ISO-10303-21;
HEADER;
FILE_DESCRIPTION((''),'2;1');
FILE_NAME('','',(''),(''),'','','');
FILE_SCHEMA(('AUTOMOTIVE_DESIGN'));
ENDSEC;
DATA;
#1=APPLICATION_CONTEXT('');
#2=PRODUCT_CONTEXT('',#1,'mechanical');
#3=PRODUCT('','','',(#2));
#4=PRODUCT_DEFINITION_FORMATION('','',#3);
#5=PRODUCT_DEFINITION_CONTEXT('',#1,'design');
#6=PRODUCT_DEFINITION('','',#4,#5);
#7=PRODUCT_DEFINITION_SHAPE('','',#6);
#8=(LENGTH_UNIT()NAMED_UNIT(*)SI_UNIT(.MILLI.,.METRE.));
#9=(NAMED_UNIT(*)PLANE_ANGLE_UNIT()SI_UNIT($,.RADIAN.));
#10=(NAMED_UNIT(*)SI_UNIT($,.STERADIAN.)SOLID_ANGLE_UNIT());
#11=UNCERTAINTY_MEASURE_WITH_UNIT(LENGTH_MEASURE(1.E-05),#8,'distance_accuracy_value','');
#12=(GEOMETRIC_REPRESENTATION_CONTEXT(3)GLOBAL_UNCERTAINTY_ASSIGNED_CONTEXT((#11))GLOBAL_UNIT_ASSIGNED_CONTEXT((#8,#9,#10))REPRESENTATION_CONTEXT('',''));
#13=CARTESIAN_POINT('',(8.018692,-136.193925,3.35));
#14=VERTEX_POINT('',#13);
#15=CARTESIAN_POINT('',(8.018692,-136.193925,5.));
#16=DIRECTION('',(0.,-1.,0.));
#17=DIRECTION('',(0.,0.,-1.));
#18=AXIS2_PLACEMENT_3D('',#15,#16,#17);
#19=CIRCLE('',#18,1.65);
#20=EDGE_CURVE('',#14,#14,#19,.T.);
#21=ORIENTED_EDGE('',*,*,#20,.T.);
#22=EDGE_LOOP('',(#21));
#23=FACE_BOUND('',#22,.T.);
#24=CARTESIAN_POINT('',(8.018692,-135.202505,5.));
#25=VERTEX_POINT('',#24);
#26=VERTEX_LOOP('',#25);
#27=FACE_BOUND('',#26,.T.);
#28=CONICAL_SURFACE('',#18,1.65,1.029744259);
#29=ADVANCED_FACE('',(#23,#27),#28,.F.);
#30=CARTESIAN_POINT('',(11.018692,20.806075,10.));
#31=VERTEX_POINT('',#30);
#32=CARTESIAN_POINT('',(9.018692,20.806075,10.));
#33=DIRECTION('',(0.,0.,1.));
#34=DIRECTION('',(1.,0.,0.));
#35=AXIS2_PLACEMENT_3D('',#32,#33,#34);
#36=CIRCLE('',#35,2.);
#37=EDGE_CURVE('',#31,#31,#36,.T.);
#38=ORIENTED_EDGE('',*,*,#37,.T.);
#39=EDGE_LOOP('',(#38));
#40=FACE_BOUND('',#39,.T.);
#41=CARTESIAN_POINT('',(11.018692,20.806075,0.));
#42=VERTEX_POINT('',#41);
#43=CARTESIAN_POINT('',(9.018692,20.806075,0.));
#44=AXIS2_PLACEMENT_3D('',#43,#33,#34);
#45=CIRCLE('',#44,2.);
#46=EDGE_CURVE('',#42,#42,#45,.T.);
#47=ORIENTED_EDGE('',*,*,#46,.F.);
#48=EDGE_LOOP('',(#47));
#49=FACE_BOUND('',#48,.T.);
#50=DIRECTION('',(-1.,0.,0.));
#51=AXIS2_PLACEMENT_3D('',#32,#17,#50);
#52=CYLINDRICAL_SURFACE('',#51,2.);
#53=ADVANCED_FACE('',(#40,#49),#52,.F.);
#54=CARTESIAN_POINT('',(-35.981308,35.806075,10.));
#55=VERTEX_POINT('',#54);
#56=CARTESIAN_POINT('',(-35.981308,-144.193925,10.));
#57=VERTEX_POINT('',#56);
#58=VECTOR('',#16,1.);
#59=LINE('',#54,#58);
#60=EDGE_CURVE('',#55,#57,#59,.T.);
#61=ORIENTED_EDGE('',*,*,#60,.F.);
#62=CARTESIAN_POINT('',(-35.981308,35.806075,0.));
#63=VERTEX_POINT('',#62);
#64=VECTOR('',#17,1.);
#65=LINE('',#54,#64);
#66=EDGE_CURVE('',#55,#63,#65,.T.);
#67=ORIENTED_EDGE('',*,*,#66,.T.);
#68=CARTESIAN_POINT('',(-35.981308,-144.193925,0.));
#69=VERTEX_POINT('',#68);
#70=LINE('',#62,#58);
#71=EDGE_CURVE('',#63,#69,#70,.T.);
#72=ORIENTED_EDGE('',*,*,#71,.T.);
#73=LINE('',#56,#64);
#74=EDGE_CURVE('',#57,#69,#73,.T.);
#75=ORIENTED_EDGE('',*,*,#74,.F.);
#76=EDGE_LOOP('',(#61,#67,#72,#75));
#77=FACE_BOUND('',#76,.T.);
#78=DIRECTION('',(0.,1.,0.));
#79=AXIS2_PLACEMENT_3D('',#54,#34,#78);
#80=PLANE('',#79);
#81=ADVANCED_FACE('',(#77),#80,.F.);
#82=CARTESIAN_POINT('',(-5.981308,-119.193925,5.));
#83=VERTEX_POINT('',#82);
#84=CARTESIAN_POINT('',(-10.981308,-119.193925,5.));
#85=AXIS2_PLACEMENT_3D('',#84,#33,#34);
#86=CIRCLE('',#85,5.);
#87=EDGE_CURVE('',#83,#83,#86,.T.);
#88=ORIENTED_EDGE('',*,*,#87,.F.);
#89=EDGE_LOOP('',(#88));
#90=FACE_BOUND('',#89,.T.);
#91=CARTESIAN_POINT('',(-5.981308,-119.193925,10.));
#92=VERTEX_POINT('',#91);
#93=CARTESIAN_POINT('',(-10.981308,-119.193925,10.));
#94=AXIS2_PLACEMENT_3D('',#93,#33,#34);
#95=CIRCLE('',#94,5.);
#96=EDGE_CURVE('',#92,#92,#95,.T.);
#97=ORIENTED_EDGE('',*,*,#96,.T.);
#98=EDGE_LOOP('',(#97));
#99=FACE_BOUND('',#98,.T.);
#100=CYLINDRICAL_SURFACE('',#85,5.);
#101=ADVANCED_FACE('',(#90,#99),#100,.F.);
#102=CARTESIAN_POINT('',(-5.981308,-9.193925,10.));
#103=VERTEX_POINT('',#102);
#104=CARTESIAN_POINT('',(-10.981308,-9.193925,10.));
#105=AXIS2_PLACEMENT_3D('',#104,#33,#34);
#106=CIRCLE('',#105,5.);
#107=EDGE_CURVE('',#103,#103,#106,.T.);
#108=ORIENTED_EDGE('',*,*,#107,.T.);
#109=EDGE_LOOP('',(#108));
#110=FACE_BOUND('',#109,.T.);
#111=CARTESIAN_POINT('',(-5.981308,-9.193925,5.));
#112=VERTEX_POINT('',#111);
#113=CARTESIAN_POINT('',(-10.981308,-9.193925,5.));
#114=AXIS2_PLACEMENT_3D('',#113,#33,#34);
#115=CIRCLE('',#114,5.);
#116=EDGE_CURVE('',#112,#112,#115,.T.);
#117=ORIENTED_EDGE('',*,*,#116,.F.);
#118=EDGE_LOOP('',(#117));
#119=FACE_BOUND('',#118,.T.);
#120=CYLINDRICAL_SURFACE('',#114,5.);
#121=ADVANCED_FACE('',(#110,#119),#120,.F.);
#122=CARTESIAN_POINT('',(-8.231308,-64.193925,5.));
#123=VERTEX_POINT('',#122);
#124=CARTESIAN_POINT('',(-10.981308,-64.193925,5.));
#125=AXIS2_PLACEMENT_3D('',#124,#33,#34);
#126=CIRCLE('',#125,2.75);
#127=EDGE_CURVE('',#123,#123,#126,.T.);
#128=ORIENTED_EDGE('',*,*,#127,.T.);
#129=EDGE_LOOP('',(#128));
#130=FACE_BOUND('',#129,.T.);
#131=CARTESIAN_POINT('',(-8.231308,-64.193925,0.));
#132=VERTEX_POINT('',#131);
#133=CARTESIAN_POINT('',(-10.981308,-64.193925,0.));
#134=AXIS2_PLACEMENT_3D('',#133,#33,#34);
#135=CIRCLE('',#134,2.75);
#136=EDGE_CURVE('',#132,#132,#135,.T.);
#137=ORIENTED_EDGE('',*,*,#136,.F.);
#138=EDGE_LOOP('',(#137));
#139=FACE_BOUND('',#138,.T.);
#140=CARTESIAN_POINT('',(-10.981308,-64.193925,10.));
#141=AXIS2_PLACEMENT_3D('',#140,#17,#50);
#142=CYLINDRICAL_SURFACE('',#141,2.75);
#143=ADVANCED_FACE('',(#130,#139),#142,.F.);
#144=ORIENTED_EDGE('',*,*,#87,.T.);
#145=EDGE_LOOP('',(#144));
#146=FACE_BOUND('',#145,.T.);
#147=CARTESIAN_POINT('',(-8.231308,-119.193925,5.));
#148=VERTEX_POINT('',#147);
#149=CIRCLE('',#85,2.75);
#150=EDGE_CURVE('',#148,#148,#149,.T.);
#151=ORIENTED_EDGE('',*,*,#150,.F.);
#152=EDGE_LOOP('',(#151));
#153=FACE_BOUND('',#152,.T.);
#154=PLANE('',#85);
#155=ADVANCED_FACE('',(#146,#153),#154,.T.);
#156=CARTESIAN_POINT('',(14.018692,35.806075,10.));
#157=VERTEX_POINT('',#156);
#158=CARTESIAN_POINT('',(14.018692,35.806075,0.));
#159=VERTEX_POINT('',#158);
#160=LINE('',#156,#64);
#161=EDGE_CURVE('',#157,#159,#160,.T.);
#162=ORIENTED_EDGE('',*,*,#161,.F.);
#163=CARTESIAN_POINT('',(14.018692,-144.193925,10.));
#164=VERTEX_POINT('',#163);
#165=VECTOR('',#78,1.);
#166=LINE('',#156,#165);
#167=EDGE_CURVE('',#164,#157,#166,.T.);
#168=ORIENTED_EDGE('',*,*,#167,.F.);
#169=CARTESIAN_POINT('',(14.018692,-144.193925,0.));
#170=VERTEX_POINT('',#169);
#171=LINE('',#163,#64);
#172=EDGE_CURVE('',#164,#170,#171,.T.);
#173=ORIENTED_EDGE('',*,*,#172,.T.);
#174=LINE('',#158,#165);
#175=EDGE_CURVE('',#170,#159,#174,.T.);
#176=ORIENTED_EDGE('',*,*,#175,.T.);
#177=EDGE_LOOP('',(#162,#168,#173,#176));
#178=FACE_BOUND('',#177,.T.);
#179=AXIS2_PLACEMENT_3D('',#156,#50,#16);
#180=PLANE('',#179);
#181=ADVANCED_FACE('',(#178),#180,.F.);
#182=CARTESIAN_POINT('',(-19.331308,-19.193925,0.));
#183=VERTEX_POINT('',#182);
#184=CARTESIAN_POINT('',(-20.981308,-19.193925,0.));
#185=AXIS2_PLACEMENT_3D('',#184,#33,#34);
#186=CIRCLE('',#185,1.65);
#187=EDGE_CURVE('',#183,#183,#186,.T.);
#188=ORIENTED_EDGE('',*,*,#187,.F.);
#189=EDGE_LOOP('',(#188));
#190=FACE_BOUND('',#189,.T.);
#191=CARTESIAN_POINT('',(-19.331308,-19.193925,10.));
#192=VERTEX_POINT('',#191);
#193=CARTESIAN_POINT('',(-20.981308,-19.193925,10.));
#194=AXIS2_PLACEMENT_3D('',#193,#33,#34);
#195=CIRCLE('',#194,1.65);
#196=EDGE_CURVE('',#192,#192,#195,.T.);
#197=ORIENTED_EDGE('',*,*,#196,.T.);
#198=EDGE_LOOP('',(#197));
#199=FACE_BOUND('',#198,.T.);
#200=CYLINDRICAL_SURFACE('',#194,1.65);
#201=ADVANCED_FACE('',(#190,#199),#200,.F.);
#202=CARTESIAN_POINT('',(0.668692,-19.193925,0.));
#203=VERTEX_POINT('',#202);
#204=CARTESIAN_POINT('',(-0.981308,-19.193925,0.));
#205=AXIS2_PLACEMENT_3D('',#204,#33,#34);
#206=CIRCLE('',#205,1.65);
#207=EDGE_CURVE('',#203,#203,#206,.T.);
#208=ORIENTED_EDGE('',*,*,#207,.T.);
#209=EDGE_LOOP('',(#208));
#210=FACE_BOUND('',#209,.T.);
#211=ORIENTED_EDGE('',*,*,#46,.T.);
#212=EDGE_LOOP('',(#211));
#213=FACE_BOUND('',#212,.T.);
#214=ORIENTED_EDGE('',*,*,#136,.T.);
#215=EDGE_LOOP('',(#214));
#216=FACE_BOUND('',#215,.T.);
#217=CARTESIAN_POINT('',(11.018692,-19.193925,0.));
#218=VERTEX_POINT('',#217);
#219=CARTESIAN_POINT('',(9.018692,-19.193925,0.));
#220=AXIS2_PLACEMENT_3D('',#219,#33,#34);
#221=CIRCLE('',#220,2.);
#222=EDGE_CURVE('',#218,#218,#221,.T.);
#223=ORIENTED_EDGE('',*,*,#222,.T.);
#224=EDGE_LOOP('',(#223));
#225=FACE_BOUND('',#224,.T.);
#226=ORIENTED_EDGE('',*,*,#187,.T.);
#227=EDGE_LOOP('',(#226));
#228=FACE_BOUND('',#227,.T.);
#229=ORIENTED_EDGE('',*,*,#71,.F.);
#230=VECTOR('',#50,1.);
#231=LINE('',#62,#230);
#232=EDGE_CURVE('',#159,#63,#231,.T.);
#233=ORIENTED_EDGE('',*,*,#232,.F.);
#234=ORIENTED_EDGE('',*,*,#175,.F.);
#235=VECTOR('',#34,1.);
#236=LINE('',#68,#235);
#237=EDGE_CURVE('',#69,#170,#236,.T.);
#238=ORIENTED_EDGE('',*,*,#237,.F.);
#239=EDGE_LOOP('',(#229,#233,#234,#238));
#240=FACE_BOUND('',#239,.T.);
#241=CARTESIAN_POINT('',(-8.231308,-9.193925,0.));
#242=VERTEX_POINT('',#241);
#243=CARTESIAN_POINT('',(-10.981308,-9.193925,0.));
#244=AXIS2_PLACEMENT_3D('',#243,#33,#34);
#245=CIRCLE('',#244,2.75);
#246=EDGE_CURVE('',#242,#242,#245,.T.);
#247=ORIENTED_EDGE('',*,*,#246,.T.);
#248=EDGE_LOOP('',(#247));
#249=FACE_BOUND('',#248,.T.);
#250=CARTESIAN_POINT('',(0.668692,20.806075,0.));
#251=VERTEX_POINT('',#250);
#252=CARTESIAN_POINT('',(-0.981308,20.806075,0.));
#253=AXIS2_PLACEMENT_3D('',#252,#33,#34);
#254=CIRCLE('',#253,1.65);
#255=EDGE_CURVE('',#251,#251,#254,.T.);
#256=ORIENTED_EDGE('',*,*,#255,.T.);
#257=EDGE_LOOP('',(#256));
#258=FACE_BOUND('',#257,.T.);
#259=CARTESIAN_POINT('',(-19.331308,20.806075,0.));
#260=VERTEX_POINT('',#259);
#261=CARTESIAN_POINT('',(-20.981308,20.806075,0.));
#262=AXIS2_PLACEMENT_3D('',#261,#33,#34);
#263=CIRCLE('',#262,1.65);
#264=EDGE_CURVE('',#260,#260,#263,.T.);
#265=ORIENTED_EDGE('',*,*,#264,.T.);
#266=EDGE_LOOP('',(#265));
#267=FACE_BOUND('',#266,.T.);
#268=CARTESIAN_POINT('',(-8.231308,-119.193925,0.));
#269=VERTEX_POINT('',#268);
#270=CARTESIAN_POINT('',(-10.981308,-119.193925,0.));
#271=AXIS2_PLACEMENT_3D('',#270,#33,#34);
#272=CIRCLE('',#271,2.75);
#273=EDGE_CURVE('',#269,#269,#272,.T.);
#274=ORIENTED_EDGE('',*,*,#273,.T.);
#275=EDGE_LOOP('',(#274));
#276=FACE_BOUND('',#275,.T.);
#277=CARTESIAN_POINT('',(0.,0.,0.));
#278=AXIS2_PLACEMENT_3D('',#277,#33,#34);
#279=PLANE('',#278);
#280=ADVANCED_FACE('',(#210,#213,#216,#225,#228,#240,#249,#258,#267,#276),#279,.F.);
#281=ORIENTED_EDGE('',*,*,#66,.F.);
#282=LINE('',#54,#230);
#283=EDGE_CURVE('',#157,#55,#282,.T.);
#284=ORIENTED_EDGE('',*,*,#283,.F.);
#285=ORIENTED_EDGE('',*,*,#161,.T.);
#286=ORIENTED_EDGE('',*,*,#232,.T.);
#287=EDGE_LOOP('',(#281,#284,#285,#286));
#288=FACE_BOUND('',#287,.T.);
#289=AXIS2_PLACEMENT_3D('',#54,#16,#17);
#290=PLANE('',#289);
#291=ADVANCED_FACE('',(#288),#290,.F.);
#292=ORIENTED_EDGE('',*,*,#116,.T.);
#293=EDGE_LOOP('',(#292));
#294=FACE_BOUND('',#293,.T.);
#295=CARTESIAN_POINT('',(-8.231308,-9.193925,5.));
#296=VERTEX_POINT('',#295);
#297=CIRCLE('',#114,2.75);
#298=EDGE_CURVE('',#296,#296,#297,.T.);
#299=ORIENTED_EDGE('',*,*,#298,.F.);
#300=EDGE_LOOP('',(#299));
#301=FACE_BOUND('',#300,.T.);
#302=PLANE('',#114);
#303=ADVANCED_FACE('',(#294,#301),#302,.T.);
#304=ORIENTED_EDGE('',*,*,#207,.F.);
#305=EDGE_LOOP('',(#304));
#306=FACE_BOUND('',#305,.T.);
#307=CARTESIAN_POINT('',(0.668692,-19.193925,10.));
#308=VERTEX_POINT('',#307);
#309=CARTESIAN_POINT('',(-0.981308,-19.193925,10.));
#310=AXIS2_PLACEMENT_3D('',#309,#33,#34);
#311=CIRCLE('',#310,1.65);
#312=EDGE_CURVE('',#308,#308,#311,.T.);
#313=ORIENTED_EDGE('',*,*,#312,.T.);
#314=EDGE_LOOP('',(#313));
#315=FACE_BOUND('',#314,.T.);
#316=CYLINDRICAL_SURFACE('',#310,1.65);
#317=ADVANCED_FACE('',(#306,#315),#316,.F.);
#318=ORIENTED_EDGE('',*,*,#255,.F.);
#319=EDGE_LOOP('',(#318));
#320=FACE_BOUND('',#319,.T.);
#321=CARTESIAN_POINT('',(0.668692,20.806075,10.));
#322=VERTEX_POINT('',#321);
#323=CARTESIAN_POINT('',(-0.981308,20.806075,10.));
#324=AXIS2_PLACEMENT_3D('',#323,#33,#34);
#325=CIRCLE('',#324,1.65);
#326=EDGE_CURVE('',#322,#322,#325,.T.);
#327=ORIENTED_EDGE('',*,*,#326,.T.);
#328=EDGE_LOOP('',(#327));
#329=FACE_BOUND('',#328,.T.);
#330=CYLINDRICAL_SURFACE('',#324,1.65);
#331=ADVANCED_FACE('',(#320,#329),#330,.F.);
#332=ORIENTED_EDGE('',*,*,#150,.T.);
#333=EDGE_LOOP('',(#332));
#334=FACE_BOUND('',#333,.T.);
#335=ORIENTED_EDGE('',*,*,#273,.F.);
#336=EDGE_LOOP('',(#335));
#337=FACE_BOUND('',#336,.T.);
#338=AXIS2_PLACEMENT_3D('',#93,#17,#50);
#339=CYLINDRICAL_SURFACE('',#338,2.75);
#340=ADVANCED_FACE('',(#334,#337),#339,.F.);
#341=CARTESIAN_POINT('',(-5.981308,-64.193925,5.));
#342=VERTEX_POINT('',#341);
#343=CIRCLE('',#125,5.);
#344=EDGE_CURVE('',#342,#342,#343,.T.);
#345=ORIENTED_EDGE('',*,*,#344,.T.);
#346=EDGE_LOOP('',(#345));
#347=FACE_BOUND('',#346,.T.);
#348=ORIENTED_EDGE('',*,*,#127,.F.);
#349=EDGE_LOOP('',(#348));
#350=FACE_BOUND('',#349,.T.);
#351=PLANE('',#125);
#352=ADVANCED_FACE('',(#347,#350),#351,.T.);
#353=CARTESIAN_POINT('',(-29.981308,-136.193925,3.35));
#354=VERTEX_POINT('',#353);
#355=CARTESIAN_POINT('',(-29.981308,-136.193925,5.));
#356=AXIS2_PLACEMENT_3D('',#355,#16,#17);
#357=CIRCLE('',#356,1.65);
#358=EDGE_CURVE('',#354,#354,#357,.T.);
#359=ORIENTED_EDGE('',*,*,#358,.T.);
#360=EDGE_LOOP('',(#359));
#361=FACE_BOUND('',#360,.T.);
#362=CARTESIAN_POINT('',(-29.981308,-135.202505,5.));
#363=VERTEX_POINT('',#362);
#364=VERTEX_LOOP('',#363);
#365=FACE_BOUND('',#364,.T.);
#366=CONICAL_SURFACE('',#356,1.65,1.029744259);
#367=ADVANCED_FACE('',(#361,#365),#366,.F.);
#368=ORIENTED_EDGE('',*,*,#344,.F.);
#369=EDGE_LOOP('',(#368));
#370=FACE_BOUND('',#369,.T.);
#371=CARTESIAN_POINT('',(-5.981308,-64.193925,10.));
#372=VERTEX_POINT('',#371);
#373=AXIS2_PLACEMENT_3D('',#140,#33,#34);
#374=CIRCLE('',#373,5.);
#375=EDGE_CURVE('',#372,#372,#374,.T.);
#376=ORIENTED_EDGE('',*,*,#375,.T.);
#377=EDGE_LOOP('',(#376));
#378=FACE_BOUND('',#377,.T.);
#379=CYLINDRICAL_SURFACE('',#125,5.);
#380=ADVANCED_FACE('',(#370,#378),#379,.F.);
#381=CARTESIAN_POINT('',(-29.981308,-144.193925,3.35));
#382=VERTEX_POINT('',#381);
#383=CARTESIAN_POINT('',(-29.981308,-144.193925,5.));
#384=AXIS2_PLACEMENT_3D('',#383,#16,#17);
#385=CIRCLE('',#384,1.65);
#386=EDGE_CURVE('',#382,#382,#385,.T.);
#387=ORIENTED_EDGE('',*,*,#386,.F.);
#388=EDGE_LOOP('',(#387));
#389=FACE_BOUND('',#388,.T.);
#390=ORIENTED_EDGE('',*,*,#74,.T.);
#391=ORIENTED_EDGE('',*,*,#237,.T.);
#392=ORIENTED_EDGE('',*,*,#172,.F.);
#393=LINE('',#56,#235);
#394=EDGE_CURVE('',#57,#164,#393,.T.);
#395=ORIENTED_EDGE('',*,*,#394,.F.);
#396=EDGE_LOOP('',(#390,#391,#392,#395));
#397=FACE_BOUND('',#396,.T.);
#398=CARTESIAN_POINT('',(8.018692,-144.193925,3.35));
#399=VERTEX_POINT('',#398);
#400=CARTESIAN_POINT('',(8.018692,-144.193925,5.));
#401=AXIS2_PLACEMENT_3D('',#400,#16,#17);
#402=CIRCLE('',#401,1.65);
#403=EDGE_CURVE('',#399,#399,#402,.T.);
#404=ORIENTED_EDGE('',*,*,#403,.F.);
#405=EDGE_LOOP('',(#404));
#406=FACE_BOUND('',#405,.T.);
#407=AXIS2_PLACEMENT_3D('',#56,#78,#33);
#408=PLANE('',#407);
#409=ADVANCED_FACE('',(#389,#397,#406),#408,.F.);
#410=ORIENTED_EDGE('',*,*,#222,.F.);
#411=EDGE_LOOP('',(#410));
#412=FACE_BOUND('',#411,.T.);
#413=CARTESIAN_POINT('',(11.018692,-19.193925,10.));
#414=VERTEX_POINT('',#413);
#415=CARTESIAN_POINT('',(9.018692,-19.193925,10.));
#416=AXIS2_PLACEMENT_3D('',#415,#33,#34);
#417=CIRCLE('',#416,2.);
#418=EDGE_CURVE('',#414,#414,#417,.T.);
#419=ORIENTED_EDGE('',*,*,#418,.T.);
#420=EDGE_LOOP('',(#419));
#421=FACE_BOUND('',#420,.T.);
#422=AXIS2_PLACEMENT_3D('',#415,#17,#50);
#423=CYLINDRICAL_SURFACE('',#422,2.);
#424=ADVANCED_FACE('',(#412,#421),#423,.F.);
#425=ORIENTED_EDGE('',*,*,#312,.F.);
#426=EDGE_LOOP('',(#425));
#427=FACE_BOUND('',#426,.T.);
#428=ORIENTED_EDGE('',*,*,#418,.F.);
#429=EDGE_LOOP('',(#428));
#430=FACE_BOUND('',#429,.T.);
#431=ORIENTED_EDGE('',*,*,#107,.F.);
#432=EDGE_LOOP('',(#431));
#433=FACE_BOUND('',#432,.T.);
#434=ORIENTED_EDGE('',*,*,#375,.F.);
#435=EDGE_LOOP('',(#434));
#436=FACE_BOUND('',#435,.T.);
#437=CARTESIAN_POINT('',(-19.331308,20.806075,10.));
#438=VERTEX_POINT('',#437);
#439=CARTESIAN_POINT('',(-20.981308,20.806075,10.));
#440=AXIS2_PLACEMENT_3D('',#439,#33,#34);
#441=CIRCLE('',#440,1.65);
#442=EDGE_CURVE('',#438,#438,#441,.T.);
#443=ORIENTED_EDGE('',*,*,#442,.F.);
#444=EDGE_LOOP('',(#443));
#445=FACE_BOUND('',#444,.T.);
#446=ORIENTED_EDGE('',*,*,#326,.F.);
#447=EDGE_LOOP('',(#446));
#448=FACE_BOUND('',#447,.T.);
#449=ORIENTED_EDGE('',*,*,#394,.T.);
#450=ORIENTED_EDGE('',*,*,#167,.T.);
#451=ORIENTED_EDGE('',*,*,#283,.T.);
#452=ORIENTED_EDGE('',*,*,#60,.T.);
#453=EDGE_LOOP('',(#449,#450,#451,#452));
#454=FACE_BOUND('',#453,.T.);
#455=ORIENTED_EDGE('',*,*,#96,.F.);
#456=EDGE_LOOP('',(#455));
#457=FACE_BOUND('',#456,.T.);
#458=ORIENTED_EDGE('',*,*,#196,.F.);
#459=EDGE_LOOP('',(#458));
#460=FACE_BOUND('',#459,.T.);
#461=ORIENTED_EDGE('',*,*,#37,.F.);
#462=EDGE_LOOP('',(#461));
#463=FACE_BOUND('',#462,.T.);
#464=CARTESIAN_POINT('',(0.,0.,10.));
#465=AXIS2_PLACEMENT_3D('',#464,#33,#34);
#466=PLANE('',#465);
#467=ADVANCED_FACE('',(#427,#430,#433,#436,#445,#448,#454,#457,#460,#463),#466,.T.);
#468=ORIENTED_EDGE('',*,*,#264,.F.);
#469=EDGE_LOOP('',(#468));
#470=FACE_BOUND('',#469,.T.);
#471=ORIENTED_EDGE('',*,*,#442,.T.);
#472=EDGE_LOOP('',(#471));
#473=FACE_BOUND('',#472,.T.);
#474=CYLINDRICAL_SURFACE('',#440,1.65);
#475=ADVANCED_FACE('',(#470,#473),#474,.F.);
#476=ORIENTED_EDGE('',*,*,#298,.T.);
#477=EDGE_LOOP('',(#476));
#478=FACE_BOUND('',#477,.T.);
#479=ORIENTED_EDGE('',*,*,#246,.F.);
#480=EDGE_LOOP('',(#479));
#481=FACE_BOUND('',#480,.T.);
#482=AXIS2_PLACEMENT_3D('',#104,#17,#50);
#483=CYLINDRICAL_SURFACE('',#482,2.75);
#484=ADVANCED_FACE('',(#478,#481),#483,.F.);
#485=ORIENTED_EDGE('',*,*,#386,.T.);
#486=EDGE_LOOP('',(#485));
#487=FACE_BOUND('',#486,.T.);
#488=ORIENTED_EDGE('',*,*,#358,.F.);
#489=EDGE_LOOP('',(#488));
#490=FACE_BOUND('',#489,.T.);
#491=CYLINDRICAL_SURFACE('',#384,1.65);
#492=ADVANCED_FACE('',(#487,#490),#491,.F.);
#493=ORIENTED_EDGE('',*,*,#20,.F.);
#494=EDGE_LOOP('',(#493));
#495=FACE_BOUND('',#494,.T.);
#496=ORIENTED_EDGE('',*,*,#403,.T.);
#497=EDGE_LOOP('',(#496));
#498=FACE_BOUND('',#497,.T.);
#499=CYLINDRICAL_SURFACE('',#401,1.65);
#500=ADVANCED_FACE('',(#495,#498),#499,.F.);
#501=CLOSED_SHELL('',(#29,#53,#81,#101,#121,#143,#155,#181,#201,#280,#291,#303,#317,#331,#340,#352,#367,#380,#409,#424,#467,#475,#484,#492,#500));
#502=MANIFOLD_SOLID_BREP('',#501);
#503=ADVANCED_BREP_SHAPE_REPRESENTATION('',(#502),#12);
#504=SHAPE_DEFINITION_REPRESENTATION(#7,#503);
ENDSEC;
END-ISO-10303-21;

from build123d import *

# Parameters (mm, degrees)
SKETCH1_W             = 50
SKETCH1_H             = 180
SKETCH1_R             = 2.75
SKETCH1_R_2           = 2
BOSS_EXTRUDE1_DEPTH   = 10
SKETCH2_R             = 5
CUT_EXTRUDE1_DEPTH    = 5
M4_TAPPED_HOLE1_D     = 3.3
M4_TAPPED_HOLE2_D     = 3.3
M4_TAPPED_HOLE2_DEPTH = 8
M4_TAPPED_HOLE2_TIP   = 0.991420021


with BuildPart() as part:
    # Sketch1 → Boss-Extrude1 (new body)
    with BuildSketch(Plane.XY):
        with Locations((-10.981308411, -54.193925234)):
            Rectangle(SKETCH1_W, SKETCH1_H)
        with Locations((-10.981308411, -119.193925234)):
            Circle(SKETCH1_R, mode=Mode.SUBTRACT)
        with Locations((-10.981308411, -64.193925234)):
            Circle(SKETCH1_R, mode=Mode.SUBTRACT)
        with Locations((-10.981308411, -9.193925234)):
            Circle(SKETCH1_R, mode=Mode.SUBTRACT)
        with Locations((9.018691589, 20.806074766)):
            Circle(SKETCH1_R_2, mode=Mode.SUBTRACT)
        with Locations((9.018691589, -19.193925234)):
            Circle(SKETCH1_R_2, mode=Mode.SUBTRACT)
    extrude(amount=BOSS_EXTRUDE1_DEPTH)

    # Sketch2 → Cut-Extrude1 (cut)
    with BuildSketch(Plane.XY.offset(10)):
        with Locations((-10.981308411, -9.193925234)):
            Circle(SKETCH2_R)
        with Locations((-10.981308411, -64.193925234)):
            Circle(SKETCH2_R)
        with Locations((-10.981308411, -119.193925234)):
            Circle(SKETCH2_R)
    extrude(amount=-CUT_EXTRUDE1_DEPTH, mode=Mode.SUBTRACT)

    # M4 Tapped Hole1 (through all)
    with Locations(Plane.XY.offset(10)):
        with Locations((-0.981308411, -19.193925234), (-20.981308411, -19.193925234), (-20.981308411, 20.806074766), (-0.981308411, 20.806074766)):
            Hole(M4_TAPPED_HOLE1_D / 2)

    # M4 Tapped Hole2
    with Locations(Plane(origin=(0, -144.193925234, 0), x_dir=(-1, 0, 0), z_dir=(0, -1, 0))):
        with Locations((29.981308411, -5), (-8.018691589, -5)):
            Hole(M4_TAPPED_HOLE2_D / 2, depth=M4_TAPPED_HOLE2_DEPTH)
            with Locations((0, 0, -(M4_TAPPED_HOLE2_DEPTH + M4_TAPPED_HOLE2_TIP / 2))):  # 118° drill point
                Cone(0, M4_TAPPED_HOLE2_D / 2, M4_TAPPED_HOLE2_TIP, mode=Mode.SUBTRACT)


solid = part.part
